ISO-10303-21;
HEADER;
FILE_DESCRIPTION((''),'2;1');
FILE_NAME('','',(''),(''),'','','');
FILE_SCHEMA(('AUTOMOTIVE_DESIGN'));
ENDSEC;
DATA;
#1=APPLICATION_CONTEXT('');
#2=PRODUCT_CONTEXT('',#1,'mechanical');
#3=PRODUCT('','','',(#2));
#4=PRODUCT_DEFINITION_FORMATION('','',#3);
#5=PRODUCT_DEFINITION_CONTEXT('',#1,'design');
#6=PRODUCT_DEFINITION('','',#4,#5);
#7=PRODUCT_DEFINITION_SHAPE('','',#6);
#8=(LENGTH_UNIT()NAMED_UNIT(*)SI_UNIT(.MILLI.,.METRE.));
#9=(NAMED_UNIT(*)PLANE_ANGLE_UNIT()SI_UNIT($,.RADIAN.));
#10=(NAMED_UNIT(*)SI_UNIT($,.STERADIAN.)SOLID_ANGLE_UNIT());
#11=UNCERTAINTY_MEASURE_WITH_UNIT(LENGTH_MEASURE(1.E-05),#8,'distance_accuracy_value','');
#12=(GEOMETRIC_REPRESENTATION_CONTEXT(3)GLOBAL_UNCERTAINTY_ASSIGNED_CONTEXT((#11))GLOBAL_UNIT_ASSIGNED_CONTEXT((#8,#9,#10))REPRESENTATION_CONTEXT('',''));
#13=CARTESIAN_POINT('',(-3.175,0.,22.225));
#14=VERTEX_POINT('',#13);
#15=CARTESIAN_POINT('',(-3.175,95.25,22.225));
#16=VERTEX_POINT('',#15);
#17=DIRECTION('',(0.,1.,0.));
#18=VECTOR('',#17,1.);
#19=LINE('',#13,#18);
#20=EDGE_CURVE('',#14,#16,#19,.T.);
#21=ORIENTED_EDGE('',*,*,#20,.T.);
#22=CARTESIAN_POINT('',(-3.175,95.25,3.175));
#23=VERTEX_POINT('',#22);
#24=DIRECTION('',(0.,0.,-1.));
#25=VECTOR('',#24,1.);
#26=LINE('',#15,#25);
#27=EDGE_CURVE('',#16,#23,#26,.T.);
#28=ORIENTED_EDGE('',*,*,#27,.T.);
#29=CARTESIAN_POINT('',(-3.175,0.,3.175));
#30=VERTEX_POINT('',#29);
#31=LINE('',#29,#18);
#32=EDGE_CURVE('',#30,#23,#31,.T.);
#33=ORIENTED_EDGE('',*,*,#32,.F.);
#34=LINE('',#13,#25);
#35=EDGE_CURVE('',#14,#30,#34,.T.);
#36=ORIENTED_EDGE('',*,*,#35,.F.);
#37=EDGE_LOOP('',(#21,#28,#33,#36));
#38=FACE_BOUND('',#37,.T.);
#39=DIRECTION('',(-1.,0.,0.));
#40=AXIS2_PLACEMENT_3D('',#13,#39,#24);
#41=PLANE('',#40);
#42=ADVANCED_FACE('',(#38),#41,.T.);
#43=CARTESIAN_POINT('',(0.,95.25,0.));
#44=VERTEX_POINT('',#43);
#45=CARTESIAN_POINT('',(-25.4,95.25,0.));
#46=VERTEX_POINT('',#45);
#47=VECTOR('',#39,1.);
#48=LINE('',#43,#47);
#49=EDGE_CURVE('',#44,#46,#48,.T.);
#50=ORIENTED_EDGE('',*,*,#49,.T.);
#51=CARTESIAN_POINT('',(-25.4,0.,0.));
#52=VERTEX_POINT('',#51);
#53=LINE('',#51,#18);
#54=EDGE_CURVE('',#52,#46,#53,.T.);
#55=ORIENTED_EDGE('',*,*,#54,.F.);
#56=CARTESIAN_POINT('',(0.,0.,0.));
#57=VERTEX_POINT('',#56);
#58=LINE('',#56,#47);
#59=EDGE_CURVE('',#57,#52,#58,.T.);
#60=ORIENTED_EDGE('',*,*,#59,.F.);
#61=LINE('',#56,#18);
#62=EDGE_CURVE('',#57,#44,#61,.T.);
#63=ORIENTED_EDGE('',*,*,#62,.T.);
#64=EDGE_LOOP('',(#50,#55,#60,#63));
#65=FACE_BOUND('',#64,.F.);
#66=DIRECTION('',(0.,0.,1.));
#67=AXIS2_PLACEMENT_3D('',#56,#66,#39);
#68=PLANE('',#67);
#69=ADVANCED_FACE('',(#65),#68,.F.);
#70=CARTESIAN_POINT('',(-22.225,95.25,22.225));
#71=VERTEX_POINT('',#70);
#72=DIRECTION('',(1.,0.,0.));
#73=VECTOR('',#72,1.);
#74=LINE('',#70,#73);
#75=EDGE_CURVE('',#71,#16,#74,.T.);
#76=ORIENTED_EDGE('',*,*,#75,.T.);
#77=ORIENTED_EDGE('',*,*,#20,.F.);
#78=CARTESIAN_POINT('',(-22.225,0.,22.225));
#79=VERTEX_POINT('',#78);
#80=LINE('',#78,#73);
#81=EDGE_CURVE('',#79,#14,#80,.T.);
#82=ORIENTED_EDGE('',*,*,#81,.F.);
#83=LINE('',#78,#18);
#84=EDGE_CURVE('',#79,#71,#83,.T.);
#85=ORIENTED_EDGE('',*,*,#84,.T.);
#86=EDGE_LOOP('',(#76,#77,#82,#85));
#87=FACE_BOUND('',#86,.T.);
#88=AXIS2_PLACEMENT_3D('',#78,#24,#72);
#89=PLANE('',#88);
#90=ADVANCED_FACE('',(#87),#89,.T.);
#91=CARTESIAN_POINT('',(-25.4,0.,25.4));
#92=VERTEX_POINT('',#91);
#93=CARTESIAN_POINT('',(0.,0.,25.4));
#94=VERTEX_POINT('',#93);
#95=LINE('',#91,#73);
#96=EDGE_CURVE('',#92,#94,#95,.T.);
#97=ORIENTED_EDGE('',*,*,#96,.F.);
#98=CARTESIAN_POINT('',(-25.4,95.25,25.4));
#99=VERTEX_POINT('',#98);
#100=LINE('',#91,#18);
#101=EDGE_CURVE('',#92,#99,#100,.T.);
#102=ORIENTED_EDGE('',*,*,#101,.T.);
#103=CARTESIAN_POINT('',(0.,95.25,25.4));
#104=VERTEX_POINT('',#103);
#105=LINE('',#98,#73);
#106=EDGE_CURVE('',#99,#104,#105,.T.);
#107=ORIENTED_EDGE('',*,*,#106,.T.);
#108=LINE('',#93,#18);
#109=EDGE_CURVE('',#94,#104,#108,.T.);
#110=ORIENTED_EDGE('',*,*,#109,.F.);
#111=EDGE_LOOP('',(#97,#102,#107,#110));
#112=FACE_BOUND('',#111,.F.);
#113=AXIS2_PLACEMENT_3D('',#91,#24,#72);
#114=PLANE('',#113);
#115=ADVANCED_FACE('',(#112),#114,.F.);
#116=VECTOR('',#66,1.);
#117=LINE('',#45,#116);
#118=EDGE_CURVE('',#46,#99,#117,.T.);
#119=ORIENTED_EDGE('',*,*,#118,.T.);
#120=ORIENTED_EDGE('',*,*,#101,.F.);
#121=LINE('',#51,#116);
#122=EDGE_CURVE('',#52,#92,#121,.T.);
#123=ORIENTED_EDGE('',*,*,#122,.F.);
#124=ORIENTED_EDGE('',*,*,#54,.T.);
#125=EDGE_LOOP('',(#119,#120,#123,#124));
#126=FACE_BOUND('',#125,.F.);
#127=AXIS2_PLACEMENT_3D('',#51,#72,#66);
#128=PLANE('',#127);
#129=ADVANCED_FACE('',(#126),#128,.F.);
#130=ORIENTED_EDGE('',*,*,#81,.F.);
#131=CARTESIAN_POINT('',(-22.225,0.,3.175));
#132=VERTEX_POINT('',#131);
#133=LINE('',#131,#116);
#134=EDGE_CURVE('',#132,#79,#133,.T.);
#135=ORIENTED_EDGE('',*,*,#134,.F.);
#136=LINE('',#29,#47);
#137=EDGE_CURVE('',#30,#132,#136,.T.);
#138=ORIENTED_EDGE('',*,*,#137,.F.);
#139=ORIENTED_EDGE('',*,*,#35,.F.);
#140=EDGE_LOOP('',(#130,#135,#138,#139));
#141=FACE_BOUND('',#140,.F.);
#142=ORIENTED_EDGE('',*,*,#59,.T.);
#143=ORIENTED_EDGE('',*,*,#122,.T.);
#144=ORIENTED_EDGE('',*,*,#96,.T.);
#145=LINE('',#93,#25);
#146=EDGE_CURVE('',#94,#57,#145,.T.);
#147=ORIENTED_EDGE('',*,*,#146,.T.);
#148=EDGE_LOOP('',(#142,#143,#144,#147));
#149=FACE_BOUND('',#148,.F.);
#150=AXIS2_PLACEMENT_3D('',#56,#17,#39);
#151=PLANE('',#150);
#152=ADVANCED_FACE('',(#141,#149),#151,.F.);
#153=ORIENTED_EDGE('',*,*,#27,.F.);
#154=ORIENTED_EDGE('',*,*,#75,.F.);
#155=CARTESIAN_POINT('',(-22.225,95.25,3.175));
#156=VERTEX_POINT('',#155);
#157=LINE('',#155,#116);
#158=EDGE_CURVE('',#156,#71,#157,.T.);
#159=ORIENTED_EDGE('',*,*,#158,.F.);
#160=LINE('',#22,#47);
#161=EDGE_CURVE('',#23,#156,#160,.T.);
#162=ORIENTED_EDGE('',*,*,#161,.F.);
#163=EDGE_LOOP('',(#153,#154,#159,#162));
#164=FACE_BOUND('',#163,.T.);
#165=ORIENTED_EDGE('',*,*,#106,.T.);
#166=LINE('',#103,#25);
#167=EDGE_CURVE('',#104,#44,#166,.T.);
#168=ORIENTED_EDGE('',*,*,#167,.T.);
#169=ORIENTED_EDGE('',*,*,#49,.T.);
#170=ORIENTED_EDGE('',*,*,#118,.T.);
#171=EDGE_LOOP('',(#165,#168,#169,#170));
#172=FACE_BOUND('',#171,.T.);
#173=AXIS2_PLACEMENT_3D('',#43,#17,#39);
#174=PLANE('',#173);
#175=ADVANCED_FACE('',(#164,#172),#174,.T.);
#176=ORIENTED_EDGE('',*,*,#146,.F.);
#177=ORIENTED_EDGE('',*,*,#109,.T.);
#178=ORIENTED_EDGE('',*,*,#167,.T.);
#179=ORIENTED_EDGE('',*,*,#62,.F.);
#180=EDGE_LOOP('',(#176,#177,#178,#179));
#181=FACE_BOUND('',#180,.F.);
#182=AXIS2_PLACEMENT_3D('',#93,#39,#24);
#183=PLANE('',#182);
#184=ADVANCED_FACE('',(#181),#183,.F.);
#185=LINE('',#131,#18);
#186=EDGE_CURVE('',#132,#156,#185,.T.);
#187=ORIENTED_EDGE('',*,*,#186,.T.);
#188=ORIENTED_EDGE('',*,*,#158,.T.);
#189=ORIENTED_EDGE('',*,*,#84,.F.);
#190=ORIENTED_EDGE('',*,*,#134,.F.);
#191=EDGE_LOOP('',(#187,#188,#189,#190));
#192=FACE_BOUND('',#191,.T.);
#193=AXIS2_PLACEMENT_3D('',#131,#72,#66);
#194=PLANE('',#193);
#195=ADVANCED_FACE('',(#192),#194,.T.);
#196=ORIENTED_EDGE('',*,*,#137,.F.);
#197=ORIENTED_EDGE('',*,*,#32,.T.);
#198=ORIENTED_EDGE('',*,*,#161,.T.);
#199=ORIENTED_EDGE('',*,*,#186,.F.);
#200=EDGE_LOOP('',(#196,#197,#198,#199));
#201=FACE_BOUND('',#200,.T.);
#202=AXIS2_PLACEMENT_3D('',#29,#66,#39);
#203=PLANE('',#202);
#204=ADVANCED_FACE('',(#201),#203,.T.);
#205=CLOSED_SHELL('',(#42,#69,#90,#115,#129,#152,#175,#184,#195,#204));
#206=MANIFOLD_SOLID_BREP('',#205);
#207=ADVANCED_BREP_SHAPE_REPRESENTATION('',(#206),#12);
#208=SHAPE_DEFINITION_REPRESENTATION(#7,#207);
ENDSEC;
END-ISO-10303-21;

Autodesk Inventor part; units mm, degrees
ref_plane "YZ Plane" through (0, 0, 0) normal (1, 0, 0) x (0, 1, 0)
ref_plane "XZ Plane" through (0, 0, 0) normal (0, 1, 0) x (-1, 0, 0)
ref_plane "XY Plane" through (0, 0, 0) normal (0, 0, 1) x (1, 0, 0)
sketch "Sketch1" plane through (0, 0, 0) normal (0, 1, 0) x (-1, 0, 0)
  line L0 (0, 0) -> (25.4, 0)
  line L1 (25.4, 0) -> (25.4, 25.4)
  line L2 (25.4, 25.4) -> (0, 25.4)
  line L3 (0, 25.4) -> (0, 0)
  line L4 (22.225, 22.225) -> (3.175, 22.225)
  line L5 (3.175, 22.225) -> (3.175, 3.175)
  line L6 (3.175, 3.175) -> (22.225, 3.175)
  line L7 (22.225, 3.175) -> (22.225, 22.225)
  dimension "d0" = 25.4
  dimension "d1" = 25.4
  dimension "d2" = 3.175
  dimension "d3" = 3.175
  dimension "d4" = 3.175
  dimension "d5" = 3.175
extrude "Extrusion1" add sketch "Sketch1" along normal blind 95.25
properties part number "8th inch tube 3.75 inch long"
